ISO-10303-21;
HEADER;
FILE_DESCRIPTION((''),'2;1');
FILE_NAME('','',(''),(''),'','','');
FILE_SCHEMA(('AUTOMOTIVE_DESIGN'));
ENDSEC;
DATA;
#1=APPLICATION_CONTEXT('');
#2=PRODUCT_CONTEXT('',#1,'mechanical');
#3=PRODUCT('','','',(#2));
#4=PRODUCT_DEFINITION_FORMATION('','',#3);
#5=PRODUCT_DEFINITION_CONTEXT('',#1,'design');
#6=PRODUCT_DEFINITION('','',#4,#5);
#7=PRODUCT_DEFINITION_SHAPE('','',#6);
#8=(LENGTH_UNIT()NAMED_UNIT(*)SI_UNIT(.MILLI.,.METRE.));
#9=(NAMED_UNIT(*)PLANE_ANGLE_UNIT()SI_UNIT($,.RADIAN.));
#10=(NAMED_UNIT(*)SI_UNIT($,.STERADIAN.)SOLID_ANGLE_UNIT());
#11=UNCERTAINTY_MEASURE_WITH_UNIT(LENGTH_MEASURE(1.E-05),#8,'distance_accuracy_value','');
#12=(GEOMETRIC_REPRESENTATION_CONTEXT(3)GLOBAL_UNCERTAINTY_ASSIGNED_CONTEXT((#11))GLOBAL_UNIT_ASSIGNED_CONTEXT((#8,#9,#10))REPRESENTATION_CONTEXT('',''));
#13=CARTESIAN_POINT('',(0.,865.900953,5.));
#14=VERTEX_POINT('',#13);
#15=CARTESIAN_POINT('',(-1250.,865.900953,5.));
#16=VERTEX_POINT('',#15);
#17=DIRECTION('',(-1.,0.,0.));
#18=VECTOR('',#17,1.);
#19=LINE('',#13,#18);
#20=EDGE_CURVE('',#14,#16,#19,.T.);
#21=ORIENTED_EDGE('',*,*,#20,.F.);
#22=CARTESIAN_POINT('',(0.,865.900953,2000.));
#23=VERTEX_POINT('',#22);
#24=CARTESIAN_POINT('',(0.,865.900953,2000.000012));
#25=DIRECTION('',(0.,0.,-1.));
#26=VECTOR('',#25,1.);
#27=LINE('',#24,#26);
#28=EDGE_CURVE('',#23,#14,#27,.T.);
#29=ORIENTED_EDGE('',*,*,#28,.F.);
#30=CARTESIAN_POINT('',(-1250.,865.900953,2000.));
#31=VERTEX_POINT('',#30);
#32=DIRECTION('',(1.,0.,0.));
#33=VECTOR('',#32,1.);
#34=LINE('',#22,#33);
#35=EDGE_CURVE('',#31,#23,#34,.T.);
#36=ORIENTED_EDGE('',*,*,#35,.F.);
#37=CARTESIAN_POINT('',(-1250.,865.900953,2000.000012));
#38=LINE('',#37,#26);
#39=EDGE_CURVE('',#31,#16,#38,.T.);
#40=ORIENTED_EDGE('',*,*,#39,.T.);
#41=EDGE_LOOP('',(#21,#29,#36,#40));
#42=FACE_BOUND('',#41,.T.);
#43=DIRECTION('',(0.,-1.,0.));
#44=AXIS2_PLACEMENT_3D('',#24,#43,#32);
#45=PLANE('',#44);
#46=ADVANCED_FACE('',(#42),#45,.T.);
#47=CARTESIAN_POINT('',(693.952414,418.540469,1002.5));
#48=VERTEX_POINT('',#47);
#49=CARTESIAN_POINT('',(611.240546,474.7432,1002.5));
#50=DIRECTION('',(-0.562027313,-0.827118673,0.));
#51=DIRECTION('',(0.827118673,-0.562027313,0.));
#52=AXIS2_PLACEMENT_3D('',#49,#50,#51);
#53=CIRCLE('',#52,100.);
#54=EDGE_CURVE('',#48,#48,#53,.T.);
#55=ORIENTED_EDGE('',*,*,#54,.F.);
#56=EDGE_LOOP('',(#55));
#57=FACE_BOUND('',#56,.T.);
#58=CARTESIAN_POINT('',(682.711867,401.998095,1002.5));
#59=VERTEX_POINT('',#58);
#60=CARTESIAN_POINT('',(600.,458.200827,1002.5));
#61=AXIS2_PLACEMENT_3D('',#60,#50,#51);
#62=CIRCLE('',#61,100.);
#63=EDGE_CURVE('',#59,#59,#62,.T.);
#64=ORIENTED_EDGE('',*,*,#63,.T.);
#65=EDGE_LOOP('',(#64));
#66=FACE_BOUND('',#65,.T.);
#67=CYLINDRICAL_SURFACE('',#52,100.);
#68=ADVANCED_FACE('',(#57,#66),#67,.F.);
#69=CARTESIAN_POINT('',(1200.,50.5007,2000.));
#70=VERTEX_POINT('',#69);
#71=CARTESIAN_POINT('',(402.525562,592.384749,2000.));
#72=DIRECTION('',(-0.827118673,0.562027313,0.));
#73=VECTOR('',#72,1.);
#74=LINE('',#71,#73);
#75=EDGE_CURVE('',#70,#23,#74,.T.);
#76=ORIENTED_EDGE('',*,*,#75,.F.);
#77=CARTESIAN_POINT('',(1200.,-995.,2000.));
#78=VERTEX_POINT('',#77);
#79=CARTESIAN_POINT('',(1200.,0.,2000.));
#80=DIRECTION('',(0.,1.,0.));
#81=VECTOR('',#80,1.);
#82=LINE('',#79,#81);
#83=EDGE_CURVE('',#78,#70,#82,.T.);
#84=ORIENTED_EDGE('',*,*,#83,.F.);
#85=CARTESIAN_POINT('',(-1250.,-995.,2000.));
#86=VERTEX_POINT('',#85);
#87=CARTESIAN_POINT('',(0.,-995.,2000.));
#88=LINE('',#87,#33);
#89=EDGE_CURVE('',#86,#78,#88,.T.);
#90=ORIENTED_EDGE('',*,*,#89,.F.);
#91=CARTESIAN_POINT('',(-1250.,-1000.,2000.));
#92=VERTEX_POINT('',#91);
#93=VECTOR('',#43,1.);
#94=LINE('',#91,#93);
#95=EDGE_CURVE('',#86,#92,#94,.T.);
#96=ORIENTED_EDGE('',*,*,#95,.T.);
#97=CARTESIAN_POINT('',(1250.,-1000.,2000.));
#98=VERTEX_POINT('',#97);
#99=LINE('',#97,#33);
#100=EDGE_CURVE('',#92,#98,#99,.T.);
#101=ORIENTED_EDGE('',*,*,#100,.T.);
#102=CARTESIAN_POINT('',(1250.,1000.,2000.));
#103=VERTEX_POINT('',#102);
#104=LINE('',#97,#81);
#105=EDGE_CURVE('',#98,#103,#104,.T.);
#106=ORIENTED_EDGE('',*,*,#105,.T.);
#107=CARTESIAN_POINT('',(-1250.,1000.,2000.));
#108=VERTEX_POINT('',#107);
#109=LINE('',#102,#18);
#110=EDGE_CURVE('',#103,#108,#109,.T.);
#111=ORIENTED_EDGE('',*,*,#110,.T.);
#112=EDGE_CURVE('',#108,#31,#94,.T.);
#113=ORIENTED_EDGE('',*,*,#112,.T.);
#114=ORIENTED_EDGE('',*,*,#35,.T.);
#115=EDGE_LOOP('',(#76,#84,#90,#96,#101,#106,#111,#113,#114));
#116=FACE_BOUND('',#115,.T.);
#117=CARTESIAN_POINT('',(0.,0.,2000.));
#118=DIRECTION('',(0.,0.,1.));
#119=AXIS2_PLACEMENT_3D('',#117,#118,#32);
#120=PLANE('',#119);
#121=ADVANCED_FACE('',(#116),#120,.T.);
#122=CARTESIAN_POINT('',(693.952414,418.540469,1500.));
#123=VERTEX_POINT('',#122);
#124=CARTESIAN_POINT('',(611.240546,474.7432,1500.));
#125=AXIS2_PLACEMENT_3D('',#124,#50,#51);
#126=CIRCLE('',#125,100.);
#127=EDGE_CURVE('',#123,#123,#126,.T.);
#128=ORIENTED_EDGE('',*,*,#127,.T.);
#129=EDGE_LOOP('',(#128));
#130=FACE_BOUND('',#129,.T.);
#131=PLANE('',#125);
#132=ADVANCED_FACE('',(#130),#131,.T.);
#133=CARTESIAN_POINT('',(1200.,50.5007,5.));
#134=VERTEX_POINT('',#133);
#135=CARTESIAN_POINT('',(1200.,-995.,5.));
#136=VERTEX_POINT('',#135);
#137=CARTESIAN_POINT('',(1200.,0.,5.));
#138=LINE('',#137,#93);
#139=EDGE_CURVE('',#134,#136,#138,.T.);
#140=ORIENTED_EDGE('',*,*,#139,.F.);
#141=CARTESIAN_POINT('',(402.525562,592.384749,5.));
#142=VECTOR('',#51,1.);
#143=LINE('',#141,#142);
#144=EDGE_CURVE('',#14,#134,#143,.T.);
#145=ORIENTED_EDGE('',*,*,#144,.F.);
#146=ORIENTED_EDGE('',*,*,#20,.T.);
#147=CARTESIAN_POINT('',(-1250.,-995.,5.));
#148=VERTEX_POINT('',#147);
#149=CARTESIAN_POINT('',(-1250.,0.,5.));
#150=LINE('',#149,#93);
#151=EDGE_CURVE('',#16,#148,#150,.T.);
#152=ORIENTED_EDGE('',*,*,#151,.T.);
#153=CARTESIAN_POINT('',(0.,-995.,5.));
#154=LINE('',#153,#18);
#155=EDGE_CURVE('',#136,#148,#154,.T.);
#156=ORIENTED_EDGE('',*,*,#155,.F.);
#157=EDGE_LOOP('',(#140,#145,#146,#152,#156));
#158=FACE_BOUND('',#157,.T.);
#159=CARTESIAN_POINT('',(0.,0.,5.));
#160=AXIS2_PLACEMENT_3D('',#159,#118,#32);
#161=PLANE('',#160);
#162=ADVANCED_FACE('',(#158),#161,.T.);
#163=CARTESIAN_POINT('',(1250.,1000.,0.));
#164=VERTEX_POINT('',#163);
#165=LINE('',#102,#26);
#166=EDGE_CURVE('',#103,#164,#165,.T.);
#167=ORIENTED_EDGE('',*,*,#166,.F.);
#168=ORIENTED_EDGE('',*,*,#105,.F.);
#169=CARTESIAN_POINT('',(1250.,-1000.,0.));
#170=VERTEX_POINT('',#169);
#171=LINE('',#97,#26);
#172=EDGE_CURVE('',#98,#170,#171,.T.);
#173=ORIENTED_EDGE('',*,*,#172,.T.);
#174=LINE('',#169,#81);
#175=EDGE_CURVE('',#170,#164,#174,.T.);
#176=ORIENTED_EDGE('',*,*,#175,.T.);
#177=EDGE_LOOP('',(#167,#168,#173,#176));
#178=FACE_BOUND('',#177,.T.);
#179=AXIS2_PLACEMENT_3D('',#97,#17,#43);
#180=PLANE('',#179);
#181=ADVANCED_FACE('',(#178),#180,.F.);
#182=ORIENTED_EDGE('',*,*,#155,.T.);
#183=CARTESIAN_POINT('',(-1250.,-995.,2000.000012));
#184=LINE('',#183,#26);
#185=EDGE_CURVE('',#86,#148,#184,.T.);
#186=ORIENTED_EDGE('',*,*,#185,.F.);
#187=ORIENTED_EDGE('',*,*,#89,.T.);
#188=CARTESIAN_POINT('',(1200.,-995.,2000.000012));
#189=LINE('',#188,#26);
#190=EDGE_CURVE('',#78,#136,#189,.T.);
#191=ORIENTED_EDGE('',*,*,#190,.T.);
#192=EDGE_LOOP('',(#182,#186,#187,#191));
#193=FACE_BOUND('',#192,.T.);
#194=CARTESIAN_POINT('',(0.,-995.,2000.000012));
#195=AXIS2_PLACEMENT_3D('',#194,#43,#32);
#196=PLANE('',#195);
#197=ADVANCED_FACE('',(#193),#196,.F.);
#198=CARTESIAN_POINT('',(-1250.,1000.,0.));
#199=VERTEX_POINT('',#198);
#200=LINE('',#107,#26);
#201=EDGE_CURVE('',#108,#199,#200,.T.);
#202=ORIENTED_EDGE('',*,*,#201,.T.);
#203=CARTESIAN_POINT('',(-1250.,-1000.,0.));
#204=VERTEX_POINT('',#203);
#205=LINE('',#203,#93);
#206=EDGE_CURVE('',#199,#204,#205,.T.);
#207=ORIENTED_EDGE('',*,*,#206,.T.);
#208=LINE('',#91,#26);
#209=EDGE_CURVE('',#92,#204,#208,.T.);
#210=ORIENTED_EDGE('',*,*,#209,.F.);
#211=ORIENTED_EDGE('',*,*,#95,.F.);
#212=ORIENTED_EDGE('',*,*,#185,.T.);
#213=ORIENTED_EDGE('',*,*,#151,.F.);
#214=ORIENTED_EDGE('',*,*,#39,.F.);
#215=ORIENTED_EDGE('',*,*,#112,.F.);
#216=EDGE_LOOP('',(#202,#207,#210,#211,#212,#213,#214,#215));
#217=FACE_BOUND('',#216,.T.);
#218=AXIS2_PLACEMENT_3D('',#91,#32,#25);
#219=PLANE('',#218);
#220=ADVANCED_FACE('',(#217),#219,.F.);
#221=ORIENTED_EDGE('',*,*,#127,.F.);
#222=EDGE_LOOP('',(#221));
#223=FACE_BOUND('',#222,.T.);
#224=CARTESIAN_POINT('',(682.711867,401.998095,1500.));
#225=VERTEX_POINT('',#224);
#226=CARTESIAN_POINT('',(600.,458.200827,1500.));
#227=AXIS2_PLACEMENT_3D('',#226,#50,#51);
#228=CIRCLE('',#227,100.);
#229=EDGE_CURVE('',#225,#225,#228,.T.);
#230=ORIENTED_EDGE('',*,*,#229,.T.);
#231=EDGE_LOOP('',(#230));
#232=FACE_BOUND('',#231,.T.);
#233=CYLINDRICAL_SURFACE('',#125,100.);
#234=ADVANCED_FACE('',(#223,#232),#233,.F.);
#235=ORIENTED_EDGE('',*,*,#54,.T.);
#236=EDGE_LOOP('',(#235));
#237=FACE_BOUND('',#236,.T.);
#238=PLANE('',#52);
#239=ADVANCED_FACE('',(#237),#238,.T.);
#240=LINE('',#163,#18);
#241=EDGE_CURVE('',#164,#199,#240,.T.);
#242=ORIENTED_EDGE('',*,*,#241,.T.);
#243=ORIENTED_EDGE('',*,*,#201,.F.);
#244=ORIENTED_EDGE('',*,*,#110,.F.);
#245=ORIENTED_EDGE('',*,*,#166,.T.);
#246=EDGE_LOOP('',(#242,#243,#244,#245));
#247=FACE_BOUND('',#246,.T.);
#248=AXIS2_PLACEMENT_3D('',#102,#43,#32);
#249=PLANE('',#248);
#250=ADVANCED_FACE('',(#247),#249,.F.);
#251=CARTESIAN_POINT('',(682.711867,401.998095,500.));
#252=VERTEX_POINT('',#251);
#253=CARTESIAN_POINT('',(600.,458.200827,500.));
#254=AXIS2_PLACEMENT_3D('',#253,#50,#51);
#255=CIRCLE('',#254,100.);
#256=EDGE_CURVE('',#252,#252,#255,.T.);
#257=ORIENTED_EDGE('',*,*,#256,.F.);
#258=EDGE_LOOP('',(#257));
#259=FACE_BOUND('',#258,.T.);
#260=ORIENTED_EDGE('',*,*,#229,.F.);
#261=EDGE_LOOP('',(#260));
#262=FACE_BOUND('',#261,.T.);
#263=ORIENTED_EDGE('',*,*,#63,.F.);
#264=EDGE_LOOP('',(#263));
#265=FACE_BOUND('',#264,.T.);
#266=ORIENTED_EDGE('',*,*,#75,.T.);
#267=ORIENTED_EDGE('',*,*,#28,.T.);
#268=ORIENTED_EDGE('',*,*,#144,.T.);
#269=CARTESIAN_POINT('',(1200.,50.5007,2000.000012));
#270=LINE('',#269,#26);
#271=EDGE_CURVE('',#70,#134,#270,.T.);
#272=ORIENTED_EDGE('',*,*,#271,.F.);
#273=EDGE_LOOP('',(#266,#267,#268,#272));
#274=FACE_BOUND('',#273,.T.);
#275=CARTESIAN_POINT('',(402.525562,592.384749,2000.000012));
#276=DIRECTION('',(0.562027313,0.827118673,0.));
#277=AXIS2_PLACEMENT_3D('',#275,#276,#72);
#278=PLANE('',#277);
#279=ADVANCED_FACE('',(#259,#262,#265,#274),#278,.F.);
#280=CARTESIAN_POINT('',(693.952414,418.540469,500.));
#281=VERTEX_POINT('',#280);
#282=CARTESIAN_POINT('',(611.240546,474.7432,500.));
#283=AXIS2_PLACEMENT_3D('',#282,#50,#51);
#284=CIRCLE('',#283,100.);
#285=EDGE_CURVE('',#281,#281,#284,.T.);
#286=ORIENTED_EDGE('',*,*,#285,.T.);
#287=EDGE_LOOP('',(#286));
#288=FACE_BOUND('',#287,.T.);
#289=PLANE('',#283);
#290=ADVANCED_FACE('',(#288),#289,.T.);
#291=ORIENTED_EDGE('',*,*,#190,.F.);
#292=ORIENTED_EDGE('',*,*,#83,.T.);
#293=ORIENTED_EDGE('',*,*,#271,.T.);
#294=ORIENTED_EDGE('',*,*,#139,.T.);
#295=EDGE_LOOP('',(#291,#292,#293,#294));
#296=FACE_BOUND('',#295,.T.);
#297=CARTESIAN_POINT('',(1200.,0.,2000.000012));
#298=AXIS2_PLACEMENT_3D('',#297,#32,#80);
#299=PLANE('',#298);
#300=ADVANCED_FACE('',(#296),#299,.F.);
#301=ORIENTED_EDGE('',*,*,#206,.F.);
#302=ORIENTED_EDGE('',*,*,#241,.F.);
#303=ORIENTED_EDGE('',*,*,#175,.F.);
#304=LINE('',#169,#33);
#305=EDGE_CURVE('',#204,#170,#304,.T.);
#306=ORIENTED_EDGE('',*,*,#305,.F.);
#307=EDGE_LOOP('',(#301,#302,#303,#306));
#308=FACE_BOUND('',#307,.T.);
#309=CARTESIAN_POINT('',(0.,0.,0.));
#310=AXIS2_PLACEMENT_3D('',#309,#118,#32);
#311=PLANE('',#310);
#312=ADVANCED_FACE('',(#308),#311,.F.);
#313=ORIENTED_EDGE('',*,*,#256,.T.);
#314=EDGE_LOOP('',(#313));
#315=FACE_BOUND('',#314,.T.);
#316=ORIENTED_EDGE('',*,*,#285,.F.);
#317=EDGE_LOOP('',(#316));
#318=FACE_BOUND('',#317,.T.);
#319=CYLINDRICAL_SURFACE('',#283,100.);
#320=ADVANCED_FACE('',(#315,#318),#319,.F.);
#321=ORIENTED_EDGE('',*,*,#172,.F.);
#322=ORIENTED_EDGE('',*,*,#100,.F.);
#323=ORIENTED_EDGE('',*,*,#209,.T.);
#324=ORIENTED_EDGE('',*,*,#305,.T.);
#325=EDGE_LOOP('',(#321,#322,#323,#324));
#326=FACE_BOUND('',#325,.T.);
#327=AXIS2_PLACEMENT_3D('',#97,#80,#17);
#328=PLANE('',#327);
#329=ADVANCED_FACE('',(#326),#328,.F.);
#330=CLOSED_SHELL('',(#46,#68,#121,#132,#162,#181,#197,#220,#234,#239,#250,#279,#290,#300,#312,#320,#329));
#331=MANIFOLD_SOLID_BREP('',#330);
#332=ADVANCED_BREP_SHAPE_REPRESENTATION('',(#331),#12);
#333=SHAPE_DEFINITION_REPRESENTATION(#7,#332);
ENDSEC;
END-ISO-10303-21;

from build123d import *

# Parameters (mm, degrees)
SKETCH1_W               = 2500
SKETCH1_H               = 2000
BOSS_EXTRUDE1_DEPTH     = 2000
CUT_EXTRUDE4_DEPTH      = 2562.73769149
CUT_EXTRUDE4_DEPTH_BACK = 1995
SKETCH3_R               = 100
CUT_EXTRUDE5_DEPTH      = 20


with BuildPart() as part:
    # Sketch1 → Boss-Extrude1 (new body)
    with BuildSketch(Plane.XY):
        Rectangle(SKETCH1_W, SKETCH1_H)
    extrude(amount=BOSS_EXTRUDE1_DEPTH)

    # Sketch2 → Cut-Extrude4 (cut, two sides: drawn at the far end of the back side and taken through both)
    with BuildSketch(Plane.XY.offset(2000).offset(-CUT_EXTRUDE4_DEPTH_BACK)):
        Polygon((0, 865.900952839), (-1250, 865.900952839), (-1250, -995), (-950, -995), (1200, -995), (1200, 50.500700421), align=None)
    extrude(amount=CUT_EXTRUDE4_DEPTH + CUT_EXTRUDE4_DEPTH_BACK, mode=Mode.SUBTRACT)

    # Sketch3 → Cut-Extrude5 (cut)
    with BuildSketch(Plane(origin=(402.525561596, 592.384749064, 0), x_dir=(0.8271186734212488, -0.5620273125728621, 0), z_dir=(-0.5620273125728621, -0.8271186734212488, 0))):
        with Locations((238.749824843, 1500)):
            Circle(SKETCH3_R)
        with Locations((238.749824843, 1002.5)):
            Circle(SKETCH3_R)
        with Locations((238.749824843, 500)):
            Circle(SKETCH3_R)
    extrude(amount=-CUT_EXTRUDE5_DEPTH, mode=Mode.SUBTRACT)


solid = part.part
